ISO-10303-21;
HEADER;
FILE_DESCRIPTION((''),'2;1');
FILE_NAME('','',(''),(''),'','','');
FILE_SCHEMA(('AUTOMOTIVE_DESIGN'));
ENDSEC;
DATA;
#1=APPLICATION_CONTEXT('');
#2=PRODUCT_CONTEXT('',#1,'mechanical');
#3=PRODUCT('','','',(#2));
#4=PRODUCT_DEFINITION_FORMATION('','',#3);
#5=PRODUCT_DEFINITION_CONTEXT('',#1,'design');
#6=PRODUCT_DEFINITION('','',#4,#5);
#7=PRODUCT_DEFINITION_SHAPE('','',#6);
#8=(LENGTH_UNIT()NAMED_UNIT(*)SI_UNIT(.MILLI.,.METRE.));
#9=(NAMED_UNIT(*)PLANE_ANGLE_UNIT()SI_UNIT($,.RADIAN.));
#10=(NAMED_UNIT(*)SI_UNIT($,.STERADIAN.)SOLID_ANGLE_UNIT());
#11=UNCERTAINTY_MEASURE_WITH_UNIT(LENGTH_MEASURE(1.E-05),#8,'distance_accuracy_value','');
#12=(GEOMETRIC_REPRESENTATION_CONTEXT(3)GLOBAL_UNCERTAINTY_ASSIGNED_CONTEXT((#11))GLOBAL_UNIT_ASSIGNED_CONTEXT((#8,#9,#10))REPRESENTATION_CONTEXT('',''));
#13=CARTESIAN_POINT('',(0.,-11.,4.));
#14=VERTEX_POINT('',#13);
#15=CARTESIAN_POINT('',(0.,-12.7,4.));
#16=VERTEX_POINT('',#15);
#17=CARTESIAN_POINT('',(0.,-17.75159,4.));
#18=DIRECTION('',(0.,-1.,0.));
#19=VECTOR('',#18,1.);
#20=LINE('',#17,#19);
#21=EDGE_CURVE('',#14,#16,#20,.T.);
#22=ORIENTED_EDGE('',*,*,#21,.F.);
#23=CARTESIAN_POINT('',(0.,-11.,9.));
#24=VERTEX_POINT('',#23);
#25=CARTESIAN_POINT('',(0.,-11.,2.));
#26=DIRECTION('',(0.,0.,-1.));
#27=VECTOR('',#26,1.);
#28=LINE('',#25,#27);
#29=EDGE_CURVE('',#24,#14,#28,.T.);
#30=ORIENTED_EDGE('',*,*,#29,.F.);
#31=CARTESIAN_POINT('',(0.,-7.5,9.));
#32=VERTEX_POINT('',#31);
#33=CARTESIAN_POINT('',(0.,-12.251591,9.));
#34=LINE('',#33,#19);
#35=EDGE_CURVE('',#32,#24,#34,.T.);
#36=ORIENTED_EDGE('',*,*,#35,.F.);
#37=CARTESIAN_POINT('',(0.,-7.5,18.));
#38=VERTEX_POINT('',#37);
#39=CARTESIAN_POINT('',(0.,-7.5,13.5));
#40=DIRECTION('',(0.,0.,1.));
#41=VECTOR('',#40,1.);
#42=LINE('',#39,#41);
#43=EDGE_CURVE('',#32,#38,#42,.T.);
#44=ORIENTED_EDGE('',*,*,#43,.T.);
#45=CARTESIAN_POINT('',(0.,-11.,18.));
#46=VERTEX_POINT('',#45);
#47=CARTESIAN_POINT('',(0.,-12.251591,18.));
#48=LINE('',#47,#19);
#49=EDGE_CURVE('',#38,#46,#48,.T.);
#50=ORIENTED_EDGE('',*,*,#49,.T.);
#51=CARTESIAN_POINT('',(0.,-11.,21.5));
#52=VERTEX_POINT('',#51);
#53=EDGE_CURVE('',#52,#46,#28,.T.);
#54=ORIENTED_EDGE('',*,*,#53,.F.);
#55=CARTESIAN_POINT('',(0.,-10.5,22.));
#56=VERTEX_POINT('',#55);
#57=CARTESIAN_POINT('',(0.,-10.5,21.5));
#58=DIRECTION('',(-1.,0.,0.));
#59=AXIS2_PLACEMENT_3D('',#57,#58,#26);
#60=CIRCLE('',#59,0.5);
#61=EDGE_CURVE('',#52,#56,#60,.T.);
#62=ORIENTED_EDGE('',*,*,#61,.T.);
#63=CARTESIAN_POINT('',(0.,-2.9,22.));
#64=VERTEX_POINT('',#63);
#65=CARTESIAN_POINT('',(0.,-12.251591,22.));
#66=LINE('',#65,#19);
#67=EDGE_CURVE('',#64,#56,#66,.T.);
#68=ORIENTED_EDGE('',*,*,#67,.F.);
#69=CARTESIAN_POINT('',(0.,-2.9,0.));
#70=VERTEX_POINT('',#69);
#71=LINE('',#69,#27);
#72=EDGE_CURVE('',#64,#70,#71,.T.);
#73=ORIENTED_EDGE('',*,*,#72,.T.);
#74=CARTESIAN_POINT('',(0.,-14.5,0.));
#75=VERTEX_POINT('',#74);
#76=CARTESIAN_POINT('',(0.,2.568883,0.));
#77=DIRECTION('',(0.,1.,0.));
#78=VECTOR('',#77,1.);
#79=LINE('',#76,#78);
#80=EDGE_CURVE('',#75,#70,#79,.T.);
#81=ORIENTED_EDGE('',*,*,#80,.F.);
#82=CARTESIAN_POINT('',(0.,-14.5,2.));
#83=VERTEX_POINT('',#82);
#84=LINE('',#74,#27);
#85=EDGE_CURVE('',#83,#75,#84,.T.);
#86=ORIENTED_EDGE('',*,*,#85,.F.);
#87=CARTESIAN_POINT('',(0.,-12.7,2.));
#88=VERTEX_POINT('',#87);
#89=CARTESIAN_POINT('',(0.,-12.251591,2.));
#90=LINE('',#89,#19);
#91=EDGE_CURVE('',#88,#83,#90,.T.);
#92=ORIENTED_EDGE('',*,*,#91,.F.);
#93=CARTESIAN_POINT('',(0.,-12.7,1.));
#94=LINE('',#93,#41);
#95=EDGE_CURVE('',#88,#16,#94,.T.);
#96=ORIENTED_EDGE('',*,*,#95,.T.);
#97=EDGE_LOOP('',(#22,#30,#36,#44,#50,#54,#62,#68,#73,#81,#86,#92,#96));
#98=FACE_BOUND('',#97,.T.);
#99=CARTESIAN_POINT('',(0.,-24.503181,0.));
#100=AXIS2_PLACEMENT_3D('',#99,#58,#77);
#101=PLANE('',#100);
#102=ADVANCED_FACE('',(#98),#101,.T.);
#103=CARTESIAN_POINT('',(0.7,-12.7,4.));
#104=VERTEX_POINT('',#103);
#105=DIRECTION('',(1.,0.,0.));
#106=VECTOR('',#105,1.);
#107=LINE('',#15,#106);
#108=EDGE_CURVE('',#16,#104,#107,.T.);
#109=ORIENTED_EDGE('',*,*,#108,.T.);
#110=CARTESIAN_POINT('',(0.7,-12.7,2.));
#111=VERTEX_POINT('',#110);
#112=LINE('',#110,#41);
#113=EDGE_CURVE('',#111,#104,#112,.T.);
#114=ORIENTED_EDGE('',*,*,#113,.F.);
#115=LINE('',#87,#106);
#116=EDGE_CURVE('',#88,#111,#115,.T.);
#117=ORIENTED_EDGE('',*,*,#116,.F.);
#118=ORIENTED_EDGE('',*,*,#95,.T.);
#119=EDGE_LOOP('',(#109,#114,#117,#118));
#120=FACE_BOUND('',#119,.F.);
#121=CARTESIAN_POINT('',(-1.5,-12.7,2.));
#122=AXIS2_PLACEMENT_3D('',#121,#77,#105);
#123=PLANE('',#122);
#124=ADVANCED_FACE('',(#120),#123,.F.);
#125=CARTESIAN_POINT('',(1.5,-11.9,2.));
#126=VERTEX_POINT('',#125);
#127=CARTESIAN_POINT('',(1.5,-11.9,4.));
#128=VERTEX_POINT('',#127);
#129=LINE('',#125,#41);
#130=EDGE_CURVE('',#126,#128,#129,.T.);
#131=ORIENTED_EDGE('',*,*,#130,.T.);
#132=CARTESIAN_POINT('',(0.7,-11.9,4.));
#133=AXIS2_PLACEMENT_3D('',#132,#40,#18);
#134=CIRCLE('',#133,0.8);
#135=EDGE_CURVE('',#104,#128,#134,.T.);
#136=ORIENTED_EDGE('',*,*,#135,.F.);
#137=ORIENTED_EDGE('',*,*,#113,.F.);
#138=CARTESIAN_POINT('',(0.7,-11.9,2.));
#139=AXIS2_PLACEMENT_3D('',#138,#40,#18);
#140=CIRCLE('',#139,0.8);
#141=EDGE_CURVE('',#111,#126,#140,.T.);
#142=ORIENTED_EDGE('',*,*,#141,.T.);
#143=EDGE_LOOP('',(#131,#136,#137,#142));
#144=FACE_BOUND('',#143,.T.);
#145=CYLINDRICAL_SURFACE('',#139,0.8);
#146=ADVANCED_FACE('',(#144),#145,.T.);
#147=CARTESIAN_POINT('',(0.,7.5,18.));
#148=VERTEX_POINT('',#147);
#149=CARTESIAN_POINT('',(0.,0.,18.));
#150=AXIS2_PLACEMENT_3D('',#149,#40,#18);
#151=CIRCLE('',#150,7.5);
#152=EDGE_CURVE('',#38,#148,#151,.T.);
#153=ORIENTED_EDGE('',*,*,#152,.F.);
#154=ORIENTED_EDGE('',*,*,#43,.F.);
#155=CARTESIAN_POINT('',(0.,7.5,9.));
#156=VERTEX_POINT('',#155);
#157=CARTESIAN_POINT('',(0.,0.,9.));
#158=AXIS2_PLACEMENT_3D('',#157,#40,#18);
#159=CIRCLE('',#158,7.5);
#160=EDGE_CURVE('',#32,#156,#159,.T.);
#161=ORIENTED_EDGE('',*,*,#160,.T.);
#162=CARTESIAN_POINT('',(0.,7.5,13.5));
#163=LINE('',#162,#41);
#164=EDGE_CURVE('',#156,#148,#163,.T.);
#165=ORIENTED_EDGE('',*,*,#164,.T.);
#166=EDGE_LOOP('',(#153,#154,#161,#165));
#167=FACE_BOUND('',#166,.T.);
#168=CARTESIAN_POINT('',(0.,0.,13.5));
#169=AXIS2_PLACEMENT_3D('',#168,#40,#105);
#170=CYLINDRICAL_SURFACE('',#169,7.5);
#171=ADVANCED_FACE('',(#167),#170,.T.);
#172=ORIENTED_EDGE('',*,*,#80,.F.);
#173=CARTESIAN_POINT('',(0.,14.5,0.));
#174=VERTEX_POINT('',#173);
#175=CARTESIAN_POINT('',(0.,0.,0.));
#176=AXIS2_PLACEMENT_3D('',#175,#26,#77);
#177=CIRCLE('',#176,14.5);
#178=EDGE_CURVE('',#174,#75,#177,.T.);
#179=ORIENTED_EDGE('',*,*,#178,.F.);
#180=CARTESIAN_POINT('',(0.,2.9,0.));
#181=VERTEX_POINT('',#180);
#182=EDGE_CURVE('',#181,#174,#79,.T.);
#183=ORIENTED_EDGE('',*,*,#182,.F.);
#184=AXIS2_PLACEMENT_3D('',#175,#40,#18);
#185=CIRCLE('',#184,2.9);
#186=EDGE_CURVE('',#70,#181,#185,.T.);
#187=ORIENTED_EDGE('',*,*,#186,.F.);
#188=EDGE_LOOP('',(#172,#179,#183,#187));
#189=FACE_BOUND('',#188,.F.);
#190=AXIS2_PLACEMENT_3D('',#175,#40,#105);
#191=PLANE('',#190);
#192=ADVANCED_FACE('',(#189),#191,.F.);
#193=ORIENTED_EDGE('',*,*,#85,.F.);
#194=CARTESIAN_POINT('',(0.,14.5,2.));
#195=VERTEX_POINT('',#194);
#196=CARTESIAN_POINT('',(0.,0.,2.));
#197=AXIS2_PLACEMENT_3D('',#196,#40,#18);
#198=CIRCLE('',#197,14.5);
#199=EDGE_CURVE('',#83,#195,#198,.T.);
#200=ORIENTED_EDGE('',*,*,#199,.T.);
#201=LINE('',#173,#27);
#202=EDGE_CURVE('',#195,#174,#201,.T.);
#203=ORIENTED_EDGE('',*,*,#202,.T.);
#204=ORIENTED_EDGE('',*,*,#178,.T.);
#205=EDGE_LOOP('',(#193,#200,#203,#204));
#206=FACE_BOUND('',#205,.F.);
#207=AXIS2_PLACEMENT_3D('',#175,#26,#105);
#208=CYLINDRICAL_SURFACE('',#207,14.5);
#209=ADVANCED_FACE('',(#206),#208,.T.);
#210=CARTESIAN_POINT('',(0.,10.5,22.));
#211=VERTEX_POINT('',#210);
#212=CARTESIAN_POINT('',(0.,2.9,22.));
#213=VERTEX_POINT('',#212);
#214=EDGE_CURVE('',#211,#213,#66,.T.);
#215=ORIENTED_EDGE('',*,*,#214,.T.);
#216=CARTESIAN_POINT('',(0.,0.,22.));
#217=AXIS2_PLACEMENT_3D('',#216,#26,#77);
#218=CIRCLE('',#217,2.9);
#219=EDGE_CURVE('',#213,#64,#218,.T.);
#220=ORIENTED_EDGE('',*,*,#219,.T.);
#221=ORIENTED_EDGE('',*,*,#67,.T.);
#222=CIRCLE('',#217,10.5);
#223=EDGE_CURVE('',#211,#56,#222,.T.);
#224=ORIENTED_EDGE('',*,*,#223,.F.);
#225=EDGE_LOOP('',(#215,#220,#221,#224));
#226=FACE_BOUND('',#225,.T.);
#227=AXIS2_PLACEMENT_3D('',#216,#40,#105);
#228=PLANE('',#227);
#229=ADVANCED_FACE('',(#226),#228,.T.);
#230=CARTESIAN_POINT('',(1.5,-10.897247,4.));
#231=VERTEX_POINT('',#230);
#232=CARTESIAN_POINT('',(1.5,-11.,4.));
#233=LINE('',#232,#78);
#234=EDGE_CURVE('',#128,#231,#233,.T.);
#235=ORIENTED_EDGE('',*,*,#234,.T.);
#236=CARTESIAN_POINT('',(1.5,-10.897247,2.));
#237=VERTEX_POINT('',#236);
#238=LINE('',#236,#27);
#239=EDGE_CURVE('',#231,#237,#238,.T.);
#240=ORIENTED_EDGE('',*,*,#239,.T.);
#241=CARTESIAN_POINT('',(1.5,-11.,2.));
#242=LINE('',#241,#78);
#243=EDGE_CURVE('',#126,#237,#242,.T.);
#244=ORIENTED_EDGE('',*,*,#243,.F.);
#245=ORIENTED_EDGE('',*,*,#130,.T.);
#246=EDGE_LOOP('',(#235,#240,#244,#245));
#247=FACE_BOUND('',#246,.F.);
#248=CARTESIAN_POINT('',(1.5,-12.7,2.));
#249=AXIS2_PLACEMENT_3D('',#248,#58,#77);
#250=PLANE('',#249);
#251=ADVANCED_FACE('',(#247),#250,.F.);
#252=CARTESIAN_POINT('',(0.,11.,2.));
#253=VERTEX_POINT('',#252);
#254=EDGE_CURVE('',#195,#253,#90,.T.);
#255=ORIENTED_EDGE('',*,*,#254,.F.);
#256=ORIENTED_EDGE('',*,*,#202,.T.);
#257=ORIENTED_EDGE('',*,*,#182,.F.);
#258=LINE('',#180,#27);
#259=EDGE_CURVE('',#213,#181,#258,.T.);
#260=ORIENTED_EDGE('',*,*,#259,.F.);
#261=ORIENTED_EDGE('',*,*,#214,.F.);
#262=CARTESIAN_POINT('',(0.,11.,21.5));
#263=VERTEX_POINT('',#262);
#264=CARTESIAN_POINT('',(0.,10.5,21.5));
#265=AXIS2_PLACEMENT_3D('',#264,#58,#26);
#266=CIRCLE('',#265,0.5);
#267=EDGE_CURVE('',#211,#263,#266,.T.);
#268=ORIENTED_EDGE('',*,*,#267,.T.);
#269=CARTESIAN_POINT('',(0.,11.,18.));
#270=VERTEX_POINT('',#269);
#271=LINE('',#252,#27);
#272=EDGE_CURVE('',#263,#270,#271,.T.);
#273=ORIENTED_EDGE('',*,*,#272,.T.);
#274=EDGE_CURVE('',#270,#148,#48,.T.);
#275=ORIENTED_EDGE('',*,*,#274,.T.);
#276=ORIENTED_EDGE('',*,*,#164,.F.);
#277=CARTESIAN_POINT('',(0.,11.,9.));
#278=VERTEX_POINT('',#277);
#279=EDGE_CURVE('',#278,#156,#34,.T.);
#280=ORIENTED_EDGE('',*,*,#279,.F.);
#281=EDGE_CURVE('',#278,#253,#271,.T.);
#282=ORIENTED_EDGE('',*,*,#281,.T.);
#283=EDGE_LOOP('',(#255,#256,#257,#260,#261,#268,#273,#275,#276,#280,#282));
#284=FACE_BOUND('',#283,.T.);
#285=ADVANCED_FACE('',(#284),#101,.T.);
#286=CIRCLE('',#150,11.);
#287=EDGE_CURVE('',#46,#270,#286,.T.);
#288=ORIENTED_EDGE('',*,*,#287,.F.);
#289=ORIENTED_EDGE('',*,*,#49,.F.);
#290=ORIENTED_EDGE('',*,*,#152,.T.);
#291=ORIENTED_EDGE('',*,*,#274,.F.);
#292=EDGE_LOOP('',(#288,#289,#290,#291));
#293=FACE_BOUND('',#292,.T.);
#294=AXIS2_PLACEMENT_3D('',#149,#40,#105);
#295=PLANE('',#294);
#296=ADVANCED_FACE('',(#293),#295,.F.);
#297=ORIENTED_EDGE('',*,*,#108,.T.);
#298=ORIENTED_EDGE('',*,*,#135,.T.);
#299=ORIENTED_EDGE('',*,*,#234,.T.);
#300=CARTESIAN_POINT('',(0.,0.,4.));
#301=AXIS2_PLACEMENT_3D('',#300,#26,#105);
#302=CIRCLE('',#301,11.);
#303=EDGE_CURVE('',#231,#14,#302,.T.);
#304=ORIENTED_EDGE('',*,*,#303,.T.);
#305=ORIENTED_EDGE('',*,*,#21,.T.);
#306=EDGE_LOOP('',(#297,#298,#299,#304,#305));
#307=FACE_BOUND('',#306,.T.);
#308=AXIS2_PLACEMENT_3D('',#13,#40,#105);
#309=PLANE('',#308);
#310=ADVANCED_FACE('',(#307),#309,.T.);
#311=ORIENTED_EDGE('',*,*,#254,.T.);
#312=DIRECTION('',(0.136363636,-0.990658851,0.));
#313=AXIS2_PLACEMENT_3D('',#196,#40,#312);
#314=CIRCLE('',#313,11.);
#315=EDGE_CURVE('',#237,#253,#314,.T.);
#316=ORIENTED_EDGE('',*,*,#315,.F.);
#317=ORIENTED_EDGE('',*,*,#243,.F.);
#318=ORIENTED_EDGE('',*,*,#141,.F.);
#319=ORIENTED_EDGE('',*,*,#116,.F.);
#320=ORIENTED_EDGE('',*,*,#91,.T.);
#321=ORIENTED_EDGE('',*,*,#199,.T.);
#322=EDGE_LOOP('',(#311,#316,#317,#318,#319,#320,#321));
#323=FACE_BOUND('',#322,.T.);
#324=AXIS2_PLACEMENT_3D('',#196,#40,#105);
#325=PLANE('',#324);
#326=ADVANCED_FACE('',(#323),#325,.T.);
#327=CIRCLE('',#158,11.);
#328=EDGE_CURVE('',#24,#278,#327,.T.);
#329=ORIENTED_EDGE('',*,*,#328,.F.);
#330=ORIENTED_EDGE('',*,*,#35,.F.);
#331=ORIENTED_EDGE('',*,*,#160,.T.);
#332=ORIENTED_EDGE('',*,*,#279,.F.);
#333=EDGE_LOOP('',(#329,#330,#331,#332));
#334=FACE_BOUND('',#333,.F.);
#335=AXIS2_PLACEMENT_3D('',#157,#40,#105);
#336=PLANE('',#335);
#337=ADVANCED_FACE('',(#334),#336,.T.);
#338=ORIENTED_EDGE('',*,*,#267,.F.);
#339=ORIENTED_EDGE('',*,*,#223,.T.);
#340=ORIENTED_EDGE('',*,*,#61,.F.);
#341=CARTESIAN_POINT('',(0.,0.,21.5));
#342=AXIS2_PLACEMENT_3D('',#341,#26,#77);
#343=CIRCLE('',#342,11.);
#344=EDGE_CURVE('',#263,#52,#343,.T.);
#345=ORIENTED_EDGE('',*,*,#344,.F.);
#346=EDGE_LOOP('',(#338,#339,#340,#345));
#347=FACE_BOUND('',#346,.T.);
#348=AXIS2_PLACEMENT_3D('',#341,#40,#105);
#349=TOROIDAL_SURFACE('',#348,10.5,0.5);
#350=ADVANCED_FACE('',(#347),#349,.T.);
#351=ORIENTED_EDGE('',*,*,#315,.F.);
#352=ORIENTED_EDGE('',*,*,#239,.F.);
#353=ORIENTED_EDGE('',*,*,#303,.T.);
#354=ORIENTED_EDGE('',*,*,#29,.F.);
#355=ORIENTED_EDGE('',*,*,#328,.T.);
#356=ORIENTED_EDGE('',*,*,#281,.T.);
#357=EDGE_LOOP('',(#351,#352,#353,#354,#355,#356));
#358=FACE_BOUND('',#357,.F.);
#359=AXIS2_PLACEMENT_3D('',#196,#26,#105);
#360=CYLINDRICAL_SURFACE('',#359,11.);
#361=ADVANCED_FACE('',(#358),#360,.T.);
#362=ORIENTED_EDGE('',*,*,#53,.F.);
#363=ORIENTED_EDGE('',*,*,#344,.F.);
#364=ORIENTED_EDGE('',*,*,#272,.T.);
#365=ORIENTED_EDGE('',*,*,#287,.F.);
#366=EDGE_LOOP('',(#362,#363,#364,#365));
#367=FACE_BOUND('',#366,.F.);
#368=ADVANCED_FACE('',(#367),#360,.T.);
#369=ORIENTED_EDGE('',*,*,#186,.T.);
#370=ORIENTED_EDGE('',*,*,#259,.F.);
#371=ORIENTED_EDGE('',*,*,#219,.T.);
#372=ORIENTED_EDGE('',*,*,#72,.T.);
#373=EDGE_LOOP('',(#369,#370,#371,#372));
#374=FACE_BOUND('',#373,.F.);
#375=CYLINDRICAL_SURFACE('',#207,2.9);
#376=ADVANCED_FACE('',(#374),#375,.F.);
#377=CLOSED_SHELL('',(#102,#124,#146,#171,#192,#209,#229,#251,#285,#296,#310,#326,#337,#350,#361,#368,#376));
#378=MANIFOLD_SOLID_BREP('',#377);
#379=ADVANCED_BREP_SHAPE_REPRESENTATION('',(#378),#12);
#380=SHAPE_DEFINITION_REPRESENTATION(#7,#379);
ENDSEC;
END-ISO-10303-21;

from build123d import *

# Parameters (mm, degrees)
F0_R      = 14.5
F1_DEPTH  = 2
F2_R      = 11
F3_DEPTH  = 20
F4_R      = 2.9
F5_DEPTH  = 22.001
F6_W      = 3
F6_H      = 3.4
F7_DEPTH  = 2
F8_R      = 0.8
F9_R      = 0.5
F11_W     = 28.85052
F11_H     = 54.144128
F12_DEPTH = 22.001
F14_W     = 3.5
F14_H     = 9


with BuildPart() as f1:
    # F0 (on Top) → F1 (new body)
    with BuildSketch(Plane.XY):
        Circle(F0_R)
    extrude(amount=F1_DEPTH)

    # F2 (on face) → F3 (join)
    with BuildSketch(Plane.XY.offset(2)):
        Circle(F2_R)
    extrude(amount=F3_DEPTH)

    # F4 (on face) → F5 (cut, through all)
    with BuildSketch(Plane(origin=(0, 0, 0), x_dir=(1, 0, 0), z_dir=(0, 0, -1))):
        Circle(F4_R)
    extrude(amount=-F5_DEPTH, mode=Mode.SUBTRACT)

    # F6 (on face) → F7 (join)
    with BuildSketch(Plane.XY.offset(2)):
        with Locations((0, -11)):
            Rectangle(F6_W, F6_H)
    extrude(amount=F7_DEPTH)

    # F8
    f8_edges = [f1.edges().sort_by_distance(p)[0] for p in [
        (-1.5, -12.7, 3),
        (1.5, -12.7, 3),
    ]]
    fillet(f8_edges, radius=F8_R)

    # F9
    f9_edges = [f1.edges().sort_by_distance(p)[0] for p in [
        (-11, 0, 22),
    ]]
    fillet(f9_edges, radius=F9_R)

    # F11 (on Top) → F12 (cut, through all)
    with BuildSketch(Plane.XY):
        with Locations((-14.42526, 2.568883)):
            Rectangle(F11_W, F11_H)
    extrude(amount=F12_DEPTH, mode=Mode.SUBTRACT)

    # F14 (on Front) → F15 (revolve, cut)
    with BuildSketch(Plane.XZ):
        with Locations((9.25, 13.5)):
            Rectangle(F14_W, F14_H)
    revolve(axis=Axis((0, 0, 13.307823), (0, 0, 1)), mode=Mode.SUBTRACT)


solid = f1.part
